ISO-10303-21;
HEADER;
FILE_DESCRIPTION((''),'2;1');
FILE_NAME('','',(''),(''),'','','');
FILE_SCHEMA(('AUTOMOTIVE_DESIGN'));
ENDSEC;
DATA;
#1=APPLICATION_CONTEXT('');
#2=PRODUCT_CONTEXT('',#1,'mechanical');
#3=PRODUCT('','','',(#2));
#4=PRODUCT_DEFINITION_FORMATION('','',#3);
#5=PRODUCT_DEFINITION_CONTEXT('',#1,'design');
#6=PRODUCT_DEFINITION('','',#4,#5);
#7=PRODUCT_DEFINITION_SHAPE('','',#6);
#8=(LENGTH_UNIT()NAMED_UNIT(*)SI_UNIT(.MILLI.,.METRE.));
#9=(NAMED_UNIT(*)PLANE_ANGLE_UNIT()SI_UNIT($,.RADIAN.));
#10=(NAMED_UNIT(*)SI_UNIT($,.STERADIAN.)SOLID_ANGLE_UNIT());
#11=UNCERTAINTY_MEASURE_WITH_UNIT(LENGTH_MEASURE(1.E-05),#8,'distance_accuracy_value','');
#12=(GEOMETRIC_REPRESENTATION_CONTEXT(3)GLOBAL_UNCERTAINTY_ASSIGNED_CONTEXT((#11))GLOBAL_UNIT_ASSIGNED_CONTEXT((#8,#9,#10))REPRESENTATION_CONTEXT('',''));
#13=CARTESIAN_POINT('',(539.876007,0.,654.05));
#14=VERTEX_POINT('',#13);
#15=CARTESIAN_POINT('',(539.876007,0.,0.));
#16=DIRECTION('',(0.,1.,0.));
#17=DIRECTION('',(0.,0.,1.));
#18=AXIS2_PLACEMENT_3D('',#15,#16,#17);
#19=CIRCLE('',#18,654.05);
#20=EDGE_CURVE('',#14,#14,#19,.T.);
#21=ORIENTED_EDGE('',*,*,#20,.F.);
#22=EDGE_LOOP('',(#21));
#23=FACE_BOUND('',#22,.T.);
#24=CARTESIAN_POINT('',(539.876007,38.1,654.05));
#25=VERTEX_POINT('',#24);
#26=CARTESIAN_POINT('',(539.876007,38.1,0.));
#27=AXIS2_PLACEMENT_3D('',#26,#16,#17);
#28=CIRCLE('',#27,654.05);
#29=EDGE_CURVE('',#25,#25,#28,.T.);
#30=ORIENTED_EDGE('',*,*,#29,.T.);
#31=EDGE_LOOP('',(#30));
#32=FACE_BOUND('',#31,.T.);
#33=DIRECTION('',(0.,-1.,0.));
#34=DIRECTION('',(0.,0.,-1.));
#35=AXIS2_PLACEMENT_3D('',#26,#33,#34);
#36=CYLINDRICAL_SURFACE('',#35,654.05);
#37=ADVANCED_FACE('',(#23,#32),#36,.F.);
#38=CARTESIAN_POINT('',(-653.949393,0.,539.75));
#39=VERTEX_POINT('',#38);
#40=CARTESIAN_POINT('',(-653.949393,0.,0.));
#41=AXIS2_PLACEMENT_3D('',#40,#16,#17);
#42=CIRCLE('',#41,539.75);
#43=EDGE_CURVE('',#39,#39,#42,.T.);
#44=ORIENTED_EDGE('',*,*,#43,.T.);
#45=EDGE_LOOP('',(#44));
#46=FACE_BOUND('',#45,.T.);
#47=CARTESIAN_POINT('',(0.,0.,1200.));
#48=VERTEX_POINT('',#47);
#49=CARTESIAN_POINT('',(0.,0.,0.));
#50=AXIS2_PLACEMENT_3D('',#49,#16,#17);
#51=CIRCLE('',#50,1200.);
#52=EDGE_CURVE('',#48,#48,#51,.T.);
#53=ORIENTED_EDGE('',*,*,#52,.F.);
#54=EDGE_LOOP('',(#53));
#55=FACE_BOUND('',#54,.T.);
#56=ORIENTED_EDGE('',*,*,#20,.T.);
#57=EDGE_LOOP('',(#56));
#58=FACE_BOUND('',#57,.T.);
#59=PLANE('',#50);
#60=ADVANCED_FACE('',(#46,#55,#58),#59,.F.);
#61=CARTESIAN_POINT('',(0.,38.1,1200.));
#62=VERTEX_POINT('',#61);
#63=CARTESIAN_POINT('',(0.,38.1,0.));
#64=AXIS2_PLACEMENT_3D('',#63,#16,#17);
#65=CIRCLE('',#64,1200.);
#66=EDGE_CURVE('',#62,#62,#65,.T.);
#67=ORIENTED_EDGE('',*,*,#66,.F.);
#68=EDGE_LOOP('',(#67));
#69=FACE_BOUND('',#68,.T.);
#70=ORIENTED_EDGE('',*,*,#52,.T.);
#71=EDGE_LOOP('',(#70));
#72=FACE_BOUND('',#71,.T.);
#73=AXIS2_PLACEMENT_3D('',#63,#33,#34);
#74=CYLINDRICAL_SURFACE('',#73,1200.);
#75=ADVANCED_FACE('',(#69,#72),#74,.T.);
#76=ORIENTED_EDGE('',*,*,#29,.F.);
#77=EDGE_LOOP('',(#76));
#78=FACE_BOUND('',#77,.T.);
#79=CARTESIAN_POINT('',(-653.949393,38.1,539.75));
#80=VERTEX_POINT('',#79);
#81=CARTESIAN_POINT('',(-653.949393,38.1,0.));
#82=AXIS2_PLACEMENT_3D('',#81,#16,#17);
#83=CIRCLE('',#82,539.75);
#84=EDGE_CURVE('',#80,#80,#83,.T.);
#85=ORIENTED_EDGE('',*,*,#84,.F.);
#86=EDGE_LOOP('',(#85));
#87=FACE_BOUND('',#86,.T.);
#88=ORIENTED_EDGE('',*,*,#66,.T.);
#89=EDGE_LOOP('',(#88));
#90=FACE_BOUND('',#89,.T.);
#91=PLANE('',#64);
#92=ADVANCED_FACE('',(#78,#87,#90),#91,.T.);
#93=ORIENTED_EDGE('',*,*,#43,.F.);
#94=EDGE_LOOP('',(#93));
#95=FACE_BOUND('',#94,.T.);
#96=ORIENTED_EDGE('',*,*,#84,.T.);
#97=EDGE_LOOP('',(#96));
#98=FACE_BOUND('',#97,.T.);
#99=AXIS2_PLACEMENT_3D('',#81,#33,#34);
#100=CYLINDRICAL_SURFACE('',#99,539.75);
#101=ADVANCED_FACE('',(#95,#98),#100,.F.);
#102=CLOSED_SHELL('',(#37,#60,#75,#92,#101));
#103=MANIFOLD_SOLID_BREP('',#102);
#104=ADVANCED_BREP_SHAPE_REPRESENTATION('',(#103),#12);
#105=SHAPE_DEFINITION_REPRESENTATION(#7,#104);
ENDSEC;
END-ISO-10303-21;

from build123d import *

# Parameters (mm, degrees)
SKETCH1_R           = 1200
SKETCH1_R_2         = 654.05
SKETCH1_R_3         = 539.75
BOSS_EXTRUDE1_DEPTH = 38.1


with BuildPart() as part:
    # Sketch1 → Boss-Extrude1 (new body)
    with BuildSketch(Plane(origin=(0, 0, 0), x_dir=(1, 0, 0), z_dir=(0, 1, 0))):
        Circle(SKETCH1_R)
        with Locations((539.876006559, 0)):
            Circle(SKETCH1_R_2, mode=Mode.SUBTRACT)
        with Locations((-653.949393441, 0)):
            Circle(SKETCH1_R_3, mode=Mode.SUBTRACT)
    extrude(amount=BOSS_EXTRUDE1_DEPTH)


solid = part.part
